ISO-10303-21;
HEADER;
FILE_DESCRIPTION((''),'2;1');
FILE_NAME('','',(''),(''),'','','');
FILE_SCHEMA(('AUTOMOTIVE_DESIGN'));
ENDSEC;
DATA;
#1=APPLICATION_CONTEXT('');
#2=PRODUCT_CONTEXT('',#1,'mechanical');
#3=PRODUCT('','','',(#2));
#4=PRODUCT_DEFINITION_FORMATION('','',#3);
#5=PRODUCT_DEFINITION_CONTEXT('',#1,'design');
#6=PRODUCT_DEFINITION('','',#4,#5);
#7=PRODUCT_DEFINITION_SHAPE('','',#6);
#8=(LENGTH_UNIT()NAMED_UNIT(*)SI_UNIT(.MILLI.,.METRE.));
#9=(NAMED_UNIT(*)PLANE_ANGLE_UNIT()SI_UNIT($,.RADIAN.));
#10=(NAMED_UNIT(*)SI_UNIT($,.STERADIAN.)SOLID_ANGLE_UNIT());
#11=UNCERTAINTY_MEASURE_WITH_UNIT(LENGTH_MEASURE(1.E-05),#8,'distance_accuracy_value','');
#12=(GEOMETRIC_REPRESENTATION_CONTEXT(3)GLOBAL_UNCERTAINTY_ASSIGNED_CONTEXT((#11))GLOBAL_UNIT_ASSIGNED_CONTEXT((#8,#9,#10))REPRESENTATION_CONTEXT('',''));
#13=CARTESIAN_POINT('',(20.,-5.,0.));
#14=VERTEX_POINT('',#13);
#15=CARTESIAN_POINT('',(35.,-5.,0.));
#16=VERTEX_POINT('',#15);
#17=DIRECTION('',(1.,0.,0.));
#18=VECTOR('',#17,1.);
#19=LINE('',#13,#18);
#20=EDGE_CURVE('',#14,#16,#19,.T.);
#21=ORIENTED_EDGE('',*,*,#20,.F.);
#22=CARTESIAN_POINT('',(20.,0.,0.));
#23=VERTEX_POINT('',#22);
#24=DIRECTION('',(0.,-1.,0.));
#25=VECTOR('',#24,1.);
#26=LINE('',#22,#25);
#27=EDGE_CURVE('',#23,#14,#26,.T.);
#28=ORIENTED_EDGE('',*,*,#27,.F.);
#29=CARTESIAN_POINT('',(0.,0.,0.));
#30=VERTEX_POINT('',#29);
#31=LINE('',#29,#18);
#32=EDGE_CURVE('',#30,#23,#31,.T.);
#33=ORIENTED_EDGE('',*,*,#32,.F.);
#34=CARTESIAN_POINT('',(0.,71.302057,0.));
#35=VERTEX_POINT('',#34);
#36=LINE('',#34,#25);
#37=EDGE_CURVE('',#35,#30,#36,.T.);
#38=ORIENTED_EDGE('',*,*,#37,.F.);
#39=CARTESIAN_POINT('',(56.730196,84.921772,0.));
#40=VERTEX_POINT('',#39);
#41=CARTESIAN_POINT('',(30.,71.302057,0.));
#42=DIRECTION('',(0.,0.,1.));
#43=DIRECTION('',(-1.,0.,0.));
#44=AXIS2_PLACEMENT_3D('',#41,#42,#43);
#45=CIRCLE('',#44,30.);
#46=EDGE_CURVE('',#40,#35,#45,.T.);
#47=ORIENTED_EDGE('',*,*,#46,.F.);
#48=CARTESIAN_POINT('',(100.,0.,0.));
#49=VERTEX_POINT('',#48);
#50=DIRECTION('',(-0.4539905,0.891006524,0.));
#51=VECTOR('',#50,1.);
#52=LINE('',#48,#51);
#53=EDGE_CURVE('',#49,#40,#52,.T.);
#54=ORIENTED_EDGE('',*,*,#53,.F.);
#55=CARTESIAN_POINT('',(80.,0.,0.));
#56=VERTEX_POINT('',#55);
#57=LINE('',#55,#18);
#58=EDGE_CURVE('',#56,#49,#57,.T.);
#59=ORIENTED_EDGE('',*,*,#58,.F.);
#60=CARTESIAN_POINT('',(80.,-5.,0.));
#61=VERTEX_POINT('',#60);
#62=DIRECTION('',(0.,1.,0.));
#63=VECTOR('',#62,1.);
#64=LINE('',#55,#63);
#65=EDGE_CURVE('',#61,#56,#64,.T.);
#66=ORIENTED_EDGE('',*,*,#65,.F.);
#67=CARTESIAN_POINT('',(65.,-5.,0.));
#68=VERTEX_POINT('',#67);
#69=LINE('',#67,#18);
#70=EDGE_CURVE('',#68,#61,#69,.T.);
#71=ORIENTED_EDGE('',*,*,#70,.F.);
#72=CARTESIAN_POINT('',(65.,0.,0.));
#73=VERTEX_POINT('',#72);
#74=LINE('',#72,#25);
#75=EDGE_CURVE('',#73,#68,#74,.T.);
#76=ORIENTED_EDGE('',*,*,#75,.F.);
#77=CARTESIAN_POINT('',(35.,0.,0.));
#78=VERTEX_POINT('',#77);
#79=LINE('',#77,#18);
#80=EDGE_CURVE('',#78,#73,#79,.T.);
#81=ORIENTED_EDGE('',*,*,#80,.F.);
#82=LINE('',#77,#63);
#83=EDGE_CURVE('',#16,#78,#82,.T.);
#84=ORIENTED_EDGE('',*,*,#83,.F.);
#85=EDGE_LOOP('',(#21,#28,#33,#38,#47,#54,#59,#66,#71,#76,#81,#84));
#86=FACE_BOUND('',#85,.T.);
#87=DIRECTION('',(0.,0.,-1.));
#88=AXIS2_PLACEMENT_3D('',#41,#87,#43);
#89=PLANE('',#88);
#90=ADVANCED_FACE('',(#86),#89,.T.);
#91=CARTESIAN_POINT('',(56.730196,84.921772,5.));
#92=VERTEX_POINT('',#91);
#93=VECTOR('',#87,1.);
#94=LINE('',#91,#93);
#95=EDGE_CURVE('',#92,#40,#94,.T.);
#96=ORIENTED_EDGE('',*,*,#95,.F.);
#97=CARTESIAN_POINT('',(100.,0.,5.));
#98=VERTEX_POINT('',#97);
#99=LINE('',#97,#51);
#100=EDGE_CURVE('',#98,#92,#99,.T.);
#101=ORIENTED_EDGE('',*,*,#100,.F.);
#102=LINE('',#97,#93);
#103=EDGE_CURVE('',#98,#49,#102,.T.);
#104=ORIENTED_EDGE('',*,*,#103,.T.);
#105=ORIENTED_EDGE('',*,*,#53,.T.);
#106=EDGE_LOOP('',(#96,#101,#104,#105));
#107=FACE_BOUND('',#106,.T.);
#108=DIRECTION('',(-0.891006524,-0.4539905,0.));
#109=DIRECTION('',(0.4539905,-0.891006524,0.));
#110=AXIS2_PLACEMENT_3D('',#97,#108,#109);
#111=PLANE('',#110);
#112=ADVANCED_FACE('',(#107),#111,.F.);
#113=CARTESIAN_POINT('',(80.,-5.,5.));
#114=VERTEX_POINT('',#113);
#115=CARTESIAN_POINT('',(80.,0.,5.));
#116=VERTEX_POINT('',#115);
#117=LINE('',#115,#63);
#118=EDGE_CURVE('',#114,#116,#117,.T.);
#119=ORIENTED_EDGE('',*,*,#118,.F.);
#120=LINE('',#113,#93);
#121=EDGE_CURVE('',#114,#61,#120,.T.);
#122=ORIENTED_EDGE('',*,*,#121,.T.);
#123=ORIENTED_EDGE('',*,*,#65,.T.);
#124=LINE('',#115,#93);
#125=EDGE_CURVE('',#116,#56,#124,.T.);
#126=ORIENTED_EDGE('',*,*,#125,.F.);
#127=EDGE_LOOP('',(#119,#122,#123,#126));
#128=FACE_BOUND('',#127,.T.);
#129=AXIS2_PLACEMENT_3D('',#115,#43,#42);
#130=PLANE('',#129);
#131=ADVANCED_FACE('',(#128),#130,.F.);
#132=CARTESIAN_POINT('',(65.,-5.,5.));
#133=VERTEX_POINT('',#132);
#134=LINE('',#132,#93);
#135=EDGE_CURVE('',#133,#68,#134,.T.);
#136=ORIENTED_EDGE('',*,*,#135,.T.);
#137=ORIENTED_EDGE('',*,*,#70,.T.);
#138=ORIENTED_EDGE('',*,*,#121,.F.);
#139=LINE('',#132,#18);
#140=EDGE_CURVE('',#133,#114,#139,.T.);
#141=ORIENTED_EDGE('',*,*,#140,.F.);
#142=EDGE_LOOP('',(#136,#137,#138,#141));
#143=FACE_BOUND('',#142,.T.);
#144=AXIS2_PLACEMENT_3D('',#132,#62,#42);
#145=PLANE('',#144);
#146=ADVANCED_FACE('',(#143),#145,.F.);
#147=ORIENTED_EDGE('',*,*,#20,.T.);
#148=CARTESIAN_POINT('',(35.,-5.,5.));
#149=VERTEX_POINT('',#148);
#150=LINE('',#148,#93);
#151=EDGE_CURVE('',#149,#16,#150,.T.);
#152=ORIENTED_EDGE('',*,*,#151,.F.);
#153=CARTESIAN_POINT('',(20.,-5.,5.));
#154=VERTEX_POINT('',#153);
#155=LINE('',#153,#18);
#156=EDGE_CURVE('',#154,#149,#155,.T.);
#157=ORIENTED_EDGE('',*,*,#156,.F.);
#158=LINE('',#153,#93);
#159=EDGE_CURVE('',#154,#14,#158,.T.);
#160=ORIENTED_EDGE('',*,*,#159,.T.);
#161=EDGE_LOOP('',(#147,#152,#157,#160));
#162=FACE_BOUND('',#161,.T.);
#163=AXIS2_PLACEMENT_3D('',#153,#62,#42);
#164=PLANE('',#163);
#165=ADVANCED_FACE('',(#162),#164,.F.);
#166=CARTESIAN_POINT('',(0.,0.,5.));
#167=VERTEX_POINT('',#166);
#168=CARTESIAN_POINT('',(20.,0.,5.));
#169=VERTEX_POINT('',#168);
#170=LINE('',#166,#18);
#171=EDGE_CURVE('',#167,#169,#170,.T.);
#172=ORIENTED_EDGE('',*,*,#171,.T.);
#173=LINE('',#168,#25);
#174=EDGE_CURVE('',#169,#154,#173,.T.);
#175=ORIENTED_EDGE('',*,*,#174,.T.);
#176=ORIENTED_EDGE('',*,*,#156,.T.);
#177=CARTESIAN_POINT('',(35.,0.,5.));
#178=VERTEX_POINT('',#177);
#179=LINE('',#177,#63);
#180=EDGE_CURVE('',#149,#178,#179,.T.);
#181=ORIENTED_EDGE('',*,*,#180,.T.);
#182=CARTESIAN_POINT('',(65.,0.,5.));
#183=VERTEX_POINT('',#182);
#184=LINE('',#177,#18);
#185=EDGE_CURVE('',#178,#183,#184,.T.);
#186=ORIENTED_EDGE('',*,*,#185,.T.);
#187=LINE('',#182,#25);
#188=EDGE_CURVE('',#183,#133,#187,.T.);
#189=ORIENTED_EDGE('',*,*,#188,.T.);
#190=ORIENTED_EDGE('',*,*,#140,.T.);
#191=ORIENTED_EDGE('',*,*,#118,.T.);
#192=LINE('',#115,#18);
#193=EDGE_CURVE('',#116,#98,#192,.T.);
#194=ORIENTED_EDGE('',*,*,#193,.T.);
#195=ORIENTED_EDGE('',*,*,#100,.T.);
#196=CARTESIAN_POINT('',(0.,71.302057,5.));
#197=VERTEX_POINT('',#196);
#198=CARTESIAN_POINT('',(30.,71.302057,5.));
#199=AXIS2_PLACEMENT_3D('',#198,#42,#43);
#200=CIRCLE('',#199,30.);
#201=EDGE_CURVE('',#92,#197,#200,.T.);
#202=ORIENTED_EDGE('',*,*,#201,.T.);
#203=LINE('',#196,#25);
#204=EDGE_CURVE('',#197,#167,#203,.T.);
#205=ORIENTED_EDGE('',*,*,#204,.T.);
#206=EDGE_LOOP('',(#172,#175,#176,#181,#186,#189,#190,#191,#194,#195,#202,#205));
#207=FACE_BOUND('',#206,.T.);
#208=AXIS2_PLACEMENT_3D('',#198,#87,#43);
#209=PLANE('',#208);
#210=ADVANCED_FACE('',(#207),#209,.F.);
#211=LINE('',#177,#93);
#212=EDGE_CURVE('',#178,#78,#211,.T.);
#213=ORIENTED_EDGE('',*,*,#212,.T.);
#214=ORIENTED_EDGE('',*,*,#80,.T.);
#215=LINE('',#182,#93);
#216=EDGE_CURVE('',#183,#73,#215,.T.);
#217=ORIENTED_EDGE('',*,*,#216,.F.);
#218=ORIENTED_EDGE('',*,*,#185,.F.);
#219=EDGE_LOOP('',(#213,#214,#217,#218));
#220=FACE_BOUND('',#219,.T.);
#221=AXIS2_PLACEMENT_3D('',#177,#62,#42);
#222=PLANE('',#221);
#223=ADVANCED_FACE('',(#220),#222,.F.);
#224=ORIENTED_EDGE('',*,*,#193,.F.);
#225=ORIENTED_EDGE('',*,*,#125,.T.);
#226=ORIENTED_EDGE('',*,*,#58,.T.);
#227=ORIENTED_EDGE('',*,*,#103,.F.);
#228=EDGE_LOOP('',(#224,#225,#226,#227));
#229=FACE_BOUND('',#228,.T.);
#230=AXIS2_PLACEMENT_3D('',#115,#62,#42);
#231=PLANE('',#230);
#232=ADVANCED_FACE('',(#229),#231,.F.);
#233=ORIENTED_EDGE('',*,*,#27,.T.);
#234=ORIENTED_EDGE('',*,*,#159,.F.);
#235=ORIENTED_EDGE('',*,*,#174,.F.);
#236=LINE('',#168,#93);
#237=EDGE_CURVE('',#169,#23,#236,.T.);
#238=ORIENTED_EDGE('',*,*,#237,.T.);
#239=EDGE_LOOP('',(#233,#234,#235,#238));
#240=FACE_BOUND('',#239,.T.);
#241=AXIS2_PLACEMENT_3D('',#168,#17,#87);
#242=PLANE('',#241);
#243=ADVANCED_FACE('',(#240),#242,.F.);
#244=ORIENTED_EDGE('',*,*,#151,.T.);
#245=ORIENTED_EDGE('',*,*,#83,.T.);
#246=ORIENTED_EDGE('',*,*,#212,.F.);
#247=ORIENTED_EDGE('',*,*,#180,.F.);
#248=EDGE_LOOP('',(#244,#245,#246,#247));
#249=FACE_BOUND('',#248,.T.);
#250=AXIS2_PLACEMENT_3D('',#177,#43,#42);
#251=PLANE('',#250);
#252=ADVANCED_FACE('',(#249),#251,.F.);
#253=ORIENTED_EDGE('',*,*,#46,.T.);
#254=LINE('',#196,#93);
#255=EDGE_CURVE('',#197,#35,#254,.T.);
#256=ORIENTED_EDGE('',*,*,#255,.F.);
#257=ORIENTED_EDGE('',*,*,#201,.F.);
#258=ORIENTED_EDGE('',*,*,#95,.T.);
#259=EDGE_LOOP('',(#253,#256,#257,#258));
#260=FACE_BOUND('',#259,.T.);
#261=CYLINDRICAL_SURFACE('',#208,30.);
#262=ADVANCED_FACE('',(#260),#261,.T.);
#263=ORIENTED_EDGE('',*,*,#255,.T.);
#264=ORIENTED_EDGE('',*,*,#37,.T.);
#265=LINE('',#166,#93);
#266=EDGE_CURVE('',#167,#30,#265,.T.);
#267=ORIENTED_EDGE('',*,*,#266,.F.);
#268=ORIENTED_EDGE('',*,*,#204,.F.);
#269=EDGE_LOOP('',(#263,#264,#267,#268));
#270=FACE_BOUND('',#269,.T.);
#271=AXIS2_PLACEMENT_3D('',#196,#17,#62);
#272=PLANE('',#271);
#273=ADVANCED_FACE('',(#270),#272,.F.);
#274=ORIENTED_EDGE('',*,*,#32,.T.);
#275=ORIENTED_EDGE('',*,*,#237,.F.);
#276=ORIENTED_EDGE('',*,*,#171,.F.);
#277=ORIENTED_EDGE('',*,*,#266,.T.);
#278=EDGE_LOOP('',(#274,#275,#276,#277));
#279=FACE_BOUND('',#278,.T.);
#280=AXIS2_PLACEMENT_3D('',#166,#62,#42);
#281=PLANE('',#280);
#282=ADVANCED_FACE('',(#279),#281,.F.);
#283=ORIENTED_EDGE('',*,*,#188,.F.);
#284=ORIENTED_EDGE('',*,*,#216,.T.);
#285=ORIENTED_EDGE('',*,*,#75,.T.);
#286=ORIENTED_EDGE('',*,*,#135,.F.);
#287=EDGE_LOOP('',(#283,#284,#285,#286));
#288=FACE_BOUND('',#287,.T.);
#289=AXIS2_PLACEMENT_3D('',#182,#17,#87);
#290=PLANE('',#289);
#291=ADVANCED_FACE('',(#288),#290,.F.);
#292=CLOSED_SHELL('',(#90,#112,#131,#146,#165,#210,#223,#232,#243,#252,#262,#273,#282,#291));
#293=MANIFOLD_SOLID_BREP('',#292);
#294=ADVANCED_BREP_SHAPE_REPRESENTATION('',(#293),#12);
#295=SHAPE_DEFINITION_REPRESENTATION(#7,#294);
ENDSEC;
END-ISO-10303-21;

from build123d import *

# Parameters (mm, degrees)
BOSS_EXTRUDE1_DEPTH = 5


with BuildPart() as part:
    # Sketch1 → Boss-Extrude1 (new body)
    with BuildSketch(Plane.XY):
        with BuildLine():
            Line((0, 71.302057448), (0, 0))
            Line((0, 0), (20, 0))
            Line((20, 0), (20, -5))
            Line((20, -5), (35, -5))
            Line((35, -5), (35, 0))
            Line((35, 0), (65, 0))
            Line((65, 0), (65, -5))
            Line((65, -5), (80, -5))
            Line((80, -5), (80, 0))
            Line((80, 0), (100, 0))
            Line((100, 0), (56.730195726, 84.92177244))
            ThreePointArc((56.730195726, 84.92177244), (22.996639084, 100.47315506), (0, 71.302057448))
        make_face()
    extrude(amount=BOSS_EXTRUDE1_DEPTH)


solid = part.part
